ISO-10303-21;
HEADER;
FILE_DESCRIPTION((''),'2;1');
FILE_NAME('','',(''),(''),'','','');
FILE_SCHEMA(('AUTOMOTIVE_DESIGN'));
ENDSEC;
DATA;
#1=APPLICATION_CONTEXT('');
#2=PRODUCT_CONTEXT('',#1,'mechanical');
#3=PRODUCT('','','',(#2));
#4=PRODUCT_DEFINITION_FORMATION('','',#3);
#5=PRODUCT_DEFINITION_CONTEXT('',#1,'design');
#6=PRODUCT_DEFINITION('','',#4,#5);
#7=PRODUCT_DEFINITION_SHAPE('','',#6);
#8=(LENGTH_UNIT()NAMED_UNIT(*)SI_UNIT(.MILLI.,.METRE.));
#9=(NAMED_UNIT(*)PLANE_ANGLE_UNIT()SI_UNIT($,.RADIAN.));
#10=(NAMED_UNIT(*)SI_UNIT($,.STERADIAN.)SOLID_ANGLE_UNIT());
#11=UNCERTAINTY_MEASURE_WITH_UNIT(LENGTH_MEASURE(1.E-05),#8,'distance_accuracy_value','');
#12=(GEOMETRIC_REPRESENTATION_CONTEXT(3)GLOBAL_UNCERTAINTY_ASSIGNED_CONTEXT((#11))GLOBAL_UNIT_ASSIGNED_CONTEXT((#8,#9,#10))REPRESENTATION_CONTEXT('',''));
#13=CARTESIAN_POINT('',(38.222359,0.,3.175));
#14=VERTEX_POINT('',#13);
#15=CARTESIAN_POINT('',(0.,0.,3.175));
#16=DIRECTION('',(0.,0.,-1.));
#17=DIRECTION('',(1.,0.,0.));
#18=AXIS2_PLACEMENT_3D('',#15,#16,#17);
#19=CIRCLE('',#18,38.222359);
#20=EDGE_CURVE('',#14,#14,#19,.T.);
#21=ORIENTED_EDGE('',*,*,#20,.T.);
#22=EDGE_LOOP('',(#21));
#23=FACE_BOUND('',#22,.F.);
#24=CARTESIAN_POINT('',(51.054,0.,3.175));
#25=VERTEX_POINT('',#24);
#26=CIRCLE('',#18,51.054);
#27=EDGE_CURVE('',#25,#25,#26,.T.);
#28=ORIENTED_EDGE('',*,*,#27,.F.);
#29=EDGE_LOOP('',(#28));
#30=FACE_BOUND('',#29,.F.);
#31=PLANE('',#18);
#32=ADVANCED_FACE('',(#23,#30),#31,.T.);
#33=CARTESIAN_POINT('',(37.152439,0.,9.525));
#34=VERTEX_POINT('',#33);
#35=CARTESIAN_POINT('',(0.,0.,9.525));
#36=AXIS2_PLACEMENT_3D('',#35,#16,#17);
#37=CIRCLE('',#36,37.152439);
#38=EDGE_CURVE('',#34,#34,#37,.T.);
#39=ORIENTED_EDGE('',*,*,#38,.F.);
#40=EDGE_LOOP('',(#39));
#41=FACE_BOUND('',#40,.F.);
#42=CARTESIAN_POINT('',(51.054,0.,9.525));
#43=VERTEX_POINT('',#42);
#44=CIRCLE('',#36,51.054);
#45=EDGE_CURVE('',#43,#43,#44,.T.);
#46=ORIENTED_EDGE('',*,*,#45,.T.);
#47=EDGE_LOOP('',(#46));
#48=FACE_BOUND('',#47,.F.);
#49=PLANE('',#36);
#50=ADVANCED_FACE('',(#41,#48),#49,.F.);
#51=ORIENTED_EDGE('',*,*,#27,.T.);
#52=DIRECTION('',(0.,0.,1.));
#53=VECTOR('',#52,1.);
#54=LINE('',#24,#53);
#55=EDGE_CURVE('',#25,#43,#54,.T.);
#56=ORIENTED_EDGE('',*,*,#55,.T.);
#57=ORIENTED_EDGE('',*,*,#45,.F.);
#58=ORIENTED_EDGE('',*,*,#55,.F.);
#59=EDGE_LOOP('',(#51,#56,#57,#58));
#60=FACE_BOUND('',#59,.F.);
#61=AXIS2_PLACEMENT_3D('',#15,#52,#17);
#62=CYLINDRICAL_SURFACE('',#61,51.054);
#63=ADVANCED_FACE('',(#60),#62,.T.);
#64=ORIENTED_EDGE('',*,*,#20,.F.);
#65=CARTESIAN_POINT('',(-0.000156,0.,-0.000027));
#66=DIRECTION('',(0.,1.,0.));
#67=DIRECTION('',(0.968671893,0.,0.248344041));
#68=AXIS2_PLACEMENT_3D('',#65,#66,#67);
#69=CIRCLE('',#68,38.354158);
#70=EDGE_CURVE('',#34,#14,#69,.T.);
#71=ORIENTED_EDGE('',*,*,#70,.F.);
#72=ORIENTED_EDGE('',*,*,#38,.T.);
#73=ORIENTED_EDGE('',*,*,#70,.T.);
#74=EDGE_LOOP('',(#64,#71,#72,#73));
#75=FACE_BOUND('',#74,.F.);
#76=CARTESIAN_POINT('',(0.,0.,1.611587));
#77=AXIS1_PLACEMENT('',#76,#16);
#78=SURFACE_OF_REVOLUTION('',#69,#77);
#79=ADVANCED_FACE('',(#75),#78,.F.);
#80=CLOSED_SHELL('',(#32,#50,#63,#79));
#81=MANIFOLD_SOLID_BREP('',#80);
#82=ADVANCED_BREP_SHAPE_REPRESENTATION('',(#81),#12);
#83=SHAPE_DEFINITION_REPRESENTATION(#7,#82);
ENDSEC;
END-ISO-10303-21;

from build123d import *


with BuildPart() as f1:
    # F0 (on Front) → F1 (revolve)
    with BuildSketch(Plane.XZ):
        with BuildLine():
            ThreePointArc((37.152439, 9.525), (37.820902, 6.372494), (38.222359, 3.175))
            Line((38.222359, 3.175), (51.054, 3.175))
            Line((51.054, 3.175), (51.054, 9.525))
            Line((51.054, 9.525), (37.152439, 9.525))
        make_face()
    revolve(axis=Axis((0, 0, 1.611587), (0, 0, -1)))


solid = f1.part
